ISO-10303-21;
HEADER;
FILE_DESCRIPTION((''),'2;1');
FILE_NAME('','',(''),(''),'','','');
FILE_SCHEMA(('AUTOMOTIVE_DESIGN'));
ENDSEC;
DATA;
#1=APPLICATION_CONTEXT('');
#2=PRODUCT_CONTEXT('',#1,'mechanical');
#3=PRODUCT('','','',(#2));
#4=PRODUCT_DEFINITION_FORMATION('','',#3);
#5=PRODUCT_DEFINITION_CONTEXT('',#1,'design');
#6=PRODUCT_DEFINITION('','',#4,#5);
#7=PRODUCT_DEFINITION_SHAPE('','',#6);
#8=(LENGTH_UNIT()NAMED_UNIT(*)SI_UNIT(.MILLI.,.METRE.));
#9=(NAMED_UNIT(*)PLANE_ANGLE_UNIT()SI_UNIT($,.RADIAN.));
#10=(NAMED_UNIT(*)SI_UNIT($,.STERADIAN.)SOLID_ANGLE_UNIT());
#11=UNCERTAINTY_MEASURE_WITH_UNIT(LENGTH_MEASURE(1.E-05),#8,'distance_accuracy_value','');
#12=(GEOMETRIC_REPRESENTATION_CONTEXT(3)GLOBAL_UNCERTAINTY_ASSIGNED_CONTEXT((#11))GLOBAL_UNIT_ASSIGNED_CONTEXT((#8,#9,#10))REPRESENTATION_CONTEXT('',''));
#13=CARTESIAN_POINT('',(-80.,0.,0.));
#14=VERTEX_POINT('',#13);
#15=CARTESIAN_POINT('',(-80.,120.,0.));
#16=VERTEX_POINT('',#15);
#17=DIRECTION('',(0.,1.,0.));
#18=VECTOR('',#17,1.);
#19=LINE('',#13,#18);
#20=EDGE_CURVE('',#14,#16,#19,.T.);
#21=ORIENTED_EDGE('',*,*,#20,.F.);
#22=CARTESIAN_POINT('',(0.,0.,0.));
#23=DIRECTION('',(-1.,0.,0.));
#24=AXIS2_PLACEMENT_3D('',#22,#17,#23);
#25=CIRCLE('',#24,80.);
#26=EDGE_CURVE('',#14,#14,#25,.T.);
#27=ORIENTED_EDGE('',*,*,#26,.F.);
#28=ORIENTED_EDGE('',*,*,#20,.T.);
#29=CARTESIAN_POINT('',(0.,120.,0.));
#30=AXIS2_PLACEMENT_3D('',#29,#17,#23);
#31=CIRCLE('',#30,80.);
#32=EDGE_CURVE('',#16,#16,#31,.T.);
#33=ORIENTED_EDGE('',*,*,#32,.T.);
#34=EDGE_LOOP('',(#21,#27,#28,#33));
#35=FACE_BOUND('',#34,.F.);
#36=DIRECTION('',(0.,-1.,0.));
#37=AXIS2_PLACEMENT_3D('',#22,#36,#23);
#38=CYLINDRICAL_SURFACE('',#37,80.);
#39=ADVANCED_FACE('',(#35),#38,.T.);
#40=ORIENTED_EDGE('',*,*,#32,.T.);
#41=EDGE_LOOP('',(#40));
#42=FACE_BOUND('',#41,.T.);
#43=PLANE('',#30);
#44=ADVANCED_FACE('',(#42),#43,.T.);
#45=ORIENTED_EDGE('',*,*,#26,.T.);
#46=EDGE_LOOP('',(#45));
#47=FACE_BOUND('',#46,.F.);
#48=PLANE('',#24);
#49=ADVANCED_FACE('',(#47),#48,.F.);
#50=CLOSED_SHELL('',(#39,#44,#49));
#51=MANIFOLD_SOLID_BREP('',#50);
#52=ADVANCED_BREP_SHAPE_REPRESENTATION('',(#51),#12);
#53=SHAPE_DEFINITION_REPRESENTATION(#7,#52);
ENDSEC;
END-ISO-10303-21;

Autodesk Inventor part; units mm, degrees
ref_plane "YZ Plane" through (0, 0, 0) normal (1, 0, 0) x (0, 1, 0)
ref_plane "XZ Plane" through (0, 0, 0) normal (0, 1, 0) x (-1, 0, 0)
ref_plane "XY Plane" through (0, 0, 0) normal (0, 0, 1) x (1, 0, 0)
sketch "Sketch1" plane through (0, 0, 0) normal (0, 1, 0) x (-1, 0, 0)
  circle A0 centre (0, 0) radius 80
  dimension "d0" = 160
extrude "Extrusion1" add sketch "Sketch1" along normal blind 120
properties part number "Flour Container"
